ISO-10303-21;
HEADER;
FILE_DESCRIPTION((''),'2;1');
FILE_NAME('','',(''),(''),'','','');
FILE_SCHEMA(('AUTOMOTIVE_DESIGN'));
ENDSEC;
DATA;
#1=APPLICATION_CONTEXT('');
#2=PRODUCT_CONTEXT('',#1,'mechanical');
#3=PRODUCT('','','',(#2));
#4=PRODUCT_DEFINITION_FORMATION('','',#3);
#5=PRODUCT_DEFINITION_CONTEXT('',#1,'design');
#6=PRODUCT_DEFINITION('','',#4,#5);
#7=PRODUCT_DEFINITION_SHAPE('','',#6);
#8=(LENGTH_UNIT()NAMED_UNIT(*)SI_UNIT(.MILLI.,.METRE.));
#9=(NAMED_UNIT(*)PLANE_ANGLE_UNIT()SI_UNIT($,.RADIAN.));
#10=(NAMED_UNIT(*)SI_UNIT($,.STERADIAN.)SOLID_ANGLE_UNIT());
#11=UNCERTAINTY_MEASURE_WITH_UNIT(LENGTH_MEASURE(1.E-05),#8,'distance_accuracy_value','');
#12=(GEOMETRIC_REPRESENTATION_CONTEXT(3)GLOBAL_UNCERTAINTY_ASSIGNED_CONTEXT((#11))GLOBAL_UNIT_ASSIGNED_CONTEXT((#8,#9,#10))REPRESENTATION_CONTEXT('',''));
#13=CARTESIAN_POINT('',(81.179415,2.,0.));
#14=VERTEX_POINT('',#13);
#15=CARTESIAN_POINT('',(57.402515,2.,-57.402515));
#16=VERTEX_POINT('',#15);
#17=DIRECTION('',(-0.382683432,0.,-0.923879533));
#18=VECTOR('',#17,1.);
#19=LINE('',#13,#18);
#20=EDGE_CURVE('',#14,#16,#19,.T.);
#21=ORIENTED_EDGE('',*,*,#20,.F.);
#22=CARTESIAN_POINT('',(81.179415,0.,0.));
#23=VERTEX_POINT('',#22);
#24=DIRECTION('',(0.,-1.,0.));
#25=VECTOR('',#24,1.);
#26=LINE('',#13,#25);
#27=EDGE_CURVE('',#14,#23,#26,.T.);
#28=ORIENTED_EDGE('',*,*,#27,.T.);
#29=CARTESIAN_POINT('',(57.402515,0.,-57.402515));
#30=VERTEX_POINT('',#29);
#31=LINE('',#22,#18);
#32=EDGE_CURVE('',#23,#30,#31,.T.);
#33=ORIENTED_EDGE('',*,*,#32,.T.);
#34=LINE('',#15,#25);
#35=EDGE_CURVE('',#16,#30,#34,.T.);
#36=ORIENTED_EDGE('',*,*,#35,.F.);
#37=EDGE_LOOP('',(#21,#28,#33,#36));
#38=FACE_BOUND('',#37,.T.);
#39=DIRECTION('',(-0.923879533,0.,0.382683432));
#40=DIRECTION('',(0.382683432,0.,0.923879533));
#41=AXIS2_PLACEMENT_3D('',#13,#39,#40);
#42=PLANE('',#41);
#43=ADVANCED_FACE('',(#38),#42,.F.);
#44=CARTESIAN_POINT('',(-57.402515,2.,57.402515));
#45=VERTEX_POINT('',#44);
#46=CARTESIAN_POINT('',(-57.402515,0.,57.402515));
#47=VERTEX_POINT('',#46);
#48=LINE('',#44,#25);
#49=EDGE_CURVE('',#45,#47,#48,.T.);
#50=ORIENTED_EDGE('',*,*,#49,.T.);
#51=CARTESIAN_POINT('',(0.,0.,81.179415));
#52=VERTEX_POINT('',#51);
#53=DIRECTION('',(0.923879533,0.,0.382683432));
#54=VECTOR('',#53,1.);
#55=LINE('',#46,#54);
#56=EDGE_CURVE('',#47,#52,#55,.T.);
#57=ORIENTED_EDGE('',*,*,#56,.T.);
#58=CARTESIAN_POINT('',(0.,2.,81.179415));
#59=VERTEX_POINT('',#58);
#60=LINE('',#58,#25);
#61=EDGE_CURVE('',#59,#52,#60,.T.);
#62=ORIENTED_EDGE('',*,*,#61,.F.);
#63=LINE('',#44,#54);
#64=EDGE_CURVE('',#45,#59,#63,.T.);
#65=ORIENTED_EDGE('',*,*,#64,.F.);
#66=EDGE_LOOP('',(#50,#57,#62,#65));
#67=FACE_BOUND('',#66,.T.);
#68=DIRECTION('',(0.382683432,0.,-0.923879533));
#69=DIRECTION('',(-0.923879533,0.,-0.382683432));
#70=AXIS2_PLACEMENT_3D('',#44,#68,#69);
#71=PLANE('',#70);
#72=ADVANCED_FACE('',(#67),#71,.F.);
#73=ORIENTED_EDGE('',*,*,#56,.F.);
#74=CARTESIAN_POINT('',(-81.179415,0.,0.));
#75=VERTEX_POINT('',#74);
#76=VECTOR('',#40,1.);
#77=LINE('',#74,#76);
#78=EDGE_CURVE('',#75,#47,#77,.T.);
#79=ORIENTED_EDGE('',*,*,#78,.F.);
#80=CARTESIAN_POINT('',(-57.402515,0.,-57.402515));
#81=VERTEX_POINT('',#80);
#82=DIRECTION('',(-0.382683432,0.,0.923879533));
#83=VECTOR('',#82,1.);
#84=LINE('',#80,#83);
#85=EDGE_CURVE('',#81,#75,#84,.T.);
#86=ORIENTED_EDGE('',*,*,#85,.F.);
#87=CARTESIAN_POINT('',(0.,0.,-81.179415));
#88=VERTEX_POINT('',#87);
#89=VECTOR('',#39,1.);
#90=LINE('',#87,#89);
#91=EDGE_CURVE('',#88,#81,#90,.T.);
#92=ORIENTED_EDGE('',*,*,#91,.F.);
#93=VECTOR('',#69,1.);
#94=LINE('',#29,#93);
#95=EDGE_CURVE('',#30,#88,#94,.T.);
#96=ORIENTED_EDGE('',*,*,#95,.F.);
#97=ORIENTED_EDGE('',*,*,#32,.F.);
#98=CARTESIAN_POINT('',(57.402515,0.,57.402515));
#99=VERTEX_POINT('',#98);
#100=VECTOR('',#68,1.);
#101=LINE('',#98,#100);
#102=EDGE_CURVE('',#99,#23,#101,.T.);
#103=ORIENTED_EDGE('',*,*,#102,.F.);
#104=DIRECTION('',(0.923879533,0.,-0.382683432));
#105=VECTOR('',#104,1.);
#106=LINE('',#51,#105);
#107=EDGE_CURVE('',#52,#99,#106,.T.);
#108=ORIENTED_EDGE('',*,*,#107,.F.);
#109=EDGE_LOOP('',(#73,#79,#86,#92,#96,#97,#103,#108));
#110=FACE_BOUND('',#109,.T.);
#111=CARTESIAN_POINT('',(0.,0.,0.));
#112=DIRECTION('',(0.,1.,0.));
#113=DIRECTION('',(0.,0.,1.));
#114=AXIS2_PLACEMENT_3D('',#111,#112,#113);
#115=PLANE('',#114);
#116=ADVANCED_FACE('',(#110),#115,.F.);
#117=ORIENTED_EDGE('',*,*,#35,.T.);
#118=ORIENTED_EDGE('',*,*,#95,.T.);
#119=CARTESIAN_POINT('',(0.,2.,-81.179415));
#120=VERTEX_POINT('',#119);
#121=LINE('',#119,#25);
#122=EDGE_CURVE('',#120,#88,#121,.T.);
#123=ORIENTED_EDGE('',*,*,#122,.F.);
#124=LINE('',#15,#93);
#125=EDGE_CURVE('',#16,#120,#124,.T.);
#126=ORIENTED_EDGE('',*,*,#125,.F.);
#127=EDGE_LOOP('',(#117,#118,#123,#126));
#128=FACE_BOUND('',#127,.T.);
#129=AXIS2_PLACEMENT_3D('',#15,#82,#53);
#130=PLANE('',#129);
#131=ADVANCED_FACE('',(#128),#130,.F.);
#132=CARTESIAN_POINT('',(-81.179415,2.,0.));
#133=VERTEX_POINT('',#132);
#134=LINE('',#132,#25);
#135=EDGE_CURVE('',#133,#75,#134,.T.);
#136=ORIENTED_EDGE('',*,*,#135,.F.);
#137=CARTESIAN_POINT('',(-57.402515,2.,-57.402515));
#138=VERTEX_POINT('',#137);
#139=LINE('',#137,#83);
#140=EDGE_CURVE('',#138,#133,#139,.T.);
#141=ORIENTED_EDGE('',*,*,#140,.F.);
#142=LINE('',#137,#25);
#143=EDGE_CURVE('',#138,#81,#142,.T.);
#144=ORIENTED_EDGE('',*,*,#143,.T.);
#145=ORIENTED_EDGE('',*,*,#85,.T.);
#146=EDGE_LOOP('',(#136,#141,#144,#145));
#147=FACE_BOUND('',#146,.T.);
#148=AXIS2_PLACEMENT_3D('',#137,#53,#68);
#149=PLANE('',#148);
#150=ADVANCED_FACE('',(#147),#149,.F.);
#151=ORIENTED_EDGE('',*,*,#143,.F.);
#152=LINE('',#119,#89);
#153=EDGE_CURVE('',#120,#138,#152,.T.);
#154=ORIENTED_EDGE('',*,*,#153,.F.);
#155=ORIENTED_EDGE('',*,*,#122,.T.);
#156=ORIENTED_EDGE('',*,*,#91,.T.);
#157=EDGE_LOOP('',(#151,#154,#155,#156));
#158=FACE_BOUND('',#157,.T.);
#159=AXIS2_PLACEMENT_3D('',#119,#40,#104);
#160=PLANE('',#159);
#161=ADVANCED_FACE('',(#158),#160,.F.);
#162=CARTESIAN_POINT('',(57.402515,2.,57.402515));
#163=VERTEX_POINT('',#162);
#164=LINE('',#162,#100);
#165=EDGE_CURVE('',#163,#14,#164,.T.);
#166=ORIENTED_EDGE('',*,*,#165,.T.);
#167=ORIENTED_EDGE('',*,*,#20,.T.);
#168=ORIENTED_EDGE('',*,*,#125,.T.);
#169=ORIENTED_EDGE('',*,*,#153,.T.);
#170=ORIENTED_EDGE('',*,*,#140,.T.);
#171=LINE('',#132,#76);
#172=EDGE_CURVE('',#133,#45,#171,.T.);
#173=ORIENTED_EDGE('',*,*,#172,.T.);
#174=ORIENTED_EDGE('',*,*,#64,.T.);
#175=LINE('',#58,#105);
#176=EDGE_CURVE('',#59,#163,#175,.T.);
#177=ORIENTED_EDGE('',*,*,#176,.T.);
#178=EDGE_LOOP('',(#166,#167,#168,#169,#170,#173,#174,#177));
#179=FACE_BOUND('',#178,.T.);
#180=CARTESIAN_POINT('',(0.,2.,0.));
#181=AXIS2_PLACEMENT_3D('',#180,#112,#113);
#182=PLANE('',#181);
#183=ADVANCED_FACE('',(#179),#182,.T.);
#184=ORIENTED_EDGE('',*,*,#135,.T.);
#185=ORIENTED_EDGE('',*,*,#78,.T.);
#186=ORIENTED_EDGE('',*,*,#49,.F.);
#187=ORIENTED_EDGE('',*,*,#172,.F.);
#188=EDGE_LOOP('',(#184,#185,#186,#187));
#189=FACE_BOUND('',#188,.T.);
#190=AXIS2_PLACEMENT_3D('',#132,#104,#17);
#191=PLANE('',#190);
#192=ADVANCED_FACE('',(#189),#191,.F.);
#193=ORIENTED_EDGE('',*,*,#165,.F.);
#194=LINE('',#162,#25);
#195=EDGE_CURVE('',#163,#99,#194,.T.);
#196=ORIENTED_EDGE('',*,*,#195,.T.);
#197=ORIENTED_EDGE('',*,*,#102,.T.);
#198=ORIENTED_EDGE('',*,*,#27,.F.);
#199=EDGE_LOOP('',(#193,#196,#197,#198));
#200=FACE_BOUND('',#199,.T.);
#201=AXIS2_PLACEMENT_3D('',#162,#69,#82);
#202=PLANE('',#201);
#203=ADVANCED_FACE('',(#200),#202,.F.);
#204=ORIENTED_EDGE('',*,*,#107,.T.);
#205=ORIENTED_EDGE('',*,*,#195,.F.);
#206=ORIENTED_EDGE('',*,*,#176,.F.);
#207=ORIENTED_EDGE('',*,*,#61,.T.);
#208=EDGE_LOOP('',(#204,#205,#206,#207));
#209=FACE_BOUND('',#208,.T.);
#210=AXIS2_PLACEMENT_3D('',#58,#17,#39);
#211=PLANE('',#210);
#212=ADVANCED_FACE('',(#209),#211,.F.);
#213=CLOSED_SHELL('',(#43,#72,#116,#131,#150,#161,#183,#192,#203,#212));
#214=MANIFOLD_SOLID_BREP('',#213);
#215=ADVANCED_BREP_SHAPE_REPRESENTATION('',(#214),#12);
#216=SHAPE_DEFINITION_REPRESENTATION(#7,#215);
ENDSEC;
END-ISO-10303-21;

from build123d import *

# Parameters (mm, degrees)
BOSS_EXTRUDE1_DEPTH = 2


with BuildPart() as part:
    # Sketch1 → Boss-Extrude1 (new body)
    with BuildSketch(Plane(origin=(0, 0, 0), x_dir=(1, 0, 0), z_dir=(0, 1, 0))):
        Polygon((0, 81.179415022), (-57.402514855, 57.402514855), (-81.179415022, 0), (-57.402514855, -57.402514855), (0, -81.179415022), (57.402514855, -57.402514855), (81.179415022, 0), (57.402514855, 57.402514855), align=None)
    extrude(amount=BOSS_EXTRUDE1_DEPTH)


solid = part.part
